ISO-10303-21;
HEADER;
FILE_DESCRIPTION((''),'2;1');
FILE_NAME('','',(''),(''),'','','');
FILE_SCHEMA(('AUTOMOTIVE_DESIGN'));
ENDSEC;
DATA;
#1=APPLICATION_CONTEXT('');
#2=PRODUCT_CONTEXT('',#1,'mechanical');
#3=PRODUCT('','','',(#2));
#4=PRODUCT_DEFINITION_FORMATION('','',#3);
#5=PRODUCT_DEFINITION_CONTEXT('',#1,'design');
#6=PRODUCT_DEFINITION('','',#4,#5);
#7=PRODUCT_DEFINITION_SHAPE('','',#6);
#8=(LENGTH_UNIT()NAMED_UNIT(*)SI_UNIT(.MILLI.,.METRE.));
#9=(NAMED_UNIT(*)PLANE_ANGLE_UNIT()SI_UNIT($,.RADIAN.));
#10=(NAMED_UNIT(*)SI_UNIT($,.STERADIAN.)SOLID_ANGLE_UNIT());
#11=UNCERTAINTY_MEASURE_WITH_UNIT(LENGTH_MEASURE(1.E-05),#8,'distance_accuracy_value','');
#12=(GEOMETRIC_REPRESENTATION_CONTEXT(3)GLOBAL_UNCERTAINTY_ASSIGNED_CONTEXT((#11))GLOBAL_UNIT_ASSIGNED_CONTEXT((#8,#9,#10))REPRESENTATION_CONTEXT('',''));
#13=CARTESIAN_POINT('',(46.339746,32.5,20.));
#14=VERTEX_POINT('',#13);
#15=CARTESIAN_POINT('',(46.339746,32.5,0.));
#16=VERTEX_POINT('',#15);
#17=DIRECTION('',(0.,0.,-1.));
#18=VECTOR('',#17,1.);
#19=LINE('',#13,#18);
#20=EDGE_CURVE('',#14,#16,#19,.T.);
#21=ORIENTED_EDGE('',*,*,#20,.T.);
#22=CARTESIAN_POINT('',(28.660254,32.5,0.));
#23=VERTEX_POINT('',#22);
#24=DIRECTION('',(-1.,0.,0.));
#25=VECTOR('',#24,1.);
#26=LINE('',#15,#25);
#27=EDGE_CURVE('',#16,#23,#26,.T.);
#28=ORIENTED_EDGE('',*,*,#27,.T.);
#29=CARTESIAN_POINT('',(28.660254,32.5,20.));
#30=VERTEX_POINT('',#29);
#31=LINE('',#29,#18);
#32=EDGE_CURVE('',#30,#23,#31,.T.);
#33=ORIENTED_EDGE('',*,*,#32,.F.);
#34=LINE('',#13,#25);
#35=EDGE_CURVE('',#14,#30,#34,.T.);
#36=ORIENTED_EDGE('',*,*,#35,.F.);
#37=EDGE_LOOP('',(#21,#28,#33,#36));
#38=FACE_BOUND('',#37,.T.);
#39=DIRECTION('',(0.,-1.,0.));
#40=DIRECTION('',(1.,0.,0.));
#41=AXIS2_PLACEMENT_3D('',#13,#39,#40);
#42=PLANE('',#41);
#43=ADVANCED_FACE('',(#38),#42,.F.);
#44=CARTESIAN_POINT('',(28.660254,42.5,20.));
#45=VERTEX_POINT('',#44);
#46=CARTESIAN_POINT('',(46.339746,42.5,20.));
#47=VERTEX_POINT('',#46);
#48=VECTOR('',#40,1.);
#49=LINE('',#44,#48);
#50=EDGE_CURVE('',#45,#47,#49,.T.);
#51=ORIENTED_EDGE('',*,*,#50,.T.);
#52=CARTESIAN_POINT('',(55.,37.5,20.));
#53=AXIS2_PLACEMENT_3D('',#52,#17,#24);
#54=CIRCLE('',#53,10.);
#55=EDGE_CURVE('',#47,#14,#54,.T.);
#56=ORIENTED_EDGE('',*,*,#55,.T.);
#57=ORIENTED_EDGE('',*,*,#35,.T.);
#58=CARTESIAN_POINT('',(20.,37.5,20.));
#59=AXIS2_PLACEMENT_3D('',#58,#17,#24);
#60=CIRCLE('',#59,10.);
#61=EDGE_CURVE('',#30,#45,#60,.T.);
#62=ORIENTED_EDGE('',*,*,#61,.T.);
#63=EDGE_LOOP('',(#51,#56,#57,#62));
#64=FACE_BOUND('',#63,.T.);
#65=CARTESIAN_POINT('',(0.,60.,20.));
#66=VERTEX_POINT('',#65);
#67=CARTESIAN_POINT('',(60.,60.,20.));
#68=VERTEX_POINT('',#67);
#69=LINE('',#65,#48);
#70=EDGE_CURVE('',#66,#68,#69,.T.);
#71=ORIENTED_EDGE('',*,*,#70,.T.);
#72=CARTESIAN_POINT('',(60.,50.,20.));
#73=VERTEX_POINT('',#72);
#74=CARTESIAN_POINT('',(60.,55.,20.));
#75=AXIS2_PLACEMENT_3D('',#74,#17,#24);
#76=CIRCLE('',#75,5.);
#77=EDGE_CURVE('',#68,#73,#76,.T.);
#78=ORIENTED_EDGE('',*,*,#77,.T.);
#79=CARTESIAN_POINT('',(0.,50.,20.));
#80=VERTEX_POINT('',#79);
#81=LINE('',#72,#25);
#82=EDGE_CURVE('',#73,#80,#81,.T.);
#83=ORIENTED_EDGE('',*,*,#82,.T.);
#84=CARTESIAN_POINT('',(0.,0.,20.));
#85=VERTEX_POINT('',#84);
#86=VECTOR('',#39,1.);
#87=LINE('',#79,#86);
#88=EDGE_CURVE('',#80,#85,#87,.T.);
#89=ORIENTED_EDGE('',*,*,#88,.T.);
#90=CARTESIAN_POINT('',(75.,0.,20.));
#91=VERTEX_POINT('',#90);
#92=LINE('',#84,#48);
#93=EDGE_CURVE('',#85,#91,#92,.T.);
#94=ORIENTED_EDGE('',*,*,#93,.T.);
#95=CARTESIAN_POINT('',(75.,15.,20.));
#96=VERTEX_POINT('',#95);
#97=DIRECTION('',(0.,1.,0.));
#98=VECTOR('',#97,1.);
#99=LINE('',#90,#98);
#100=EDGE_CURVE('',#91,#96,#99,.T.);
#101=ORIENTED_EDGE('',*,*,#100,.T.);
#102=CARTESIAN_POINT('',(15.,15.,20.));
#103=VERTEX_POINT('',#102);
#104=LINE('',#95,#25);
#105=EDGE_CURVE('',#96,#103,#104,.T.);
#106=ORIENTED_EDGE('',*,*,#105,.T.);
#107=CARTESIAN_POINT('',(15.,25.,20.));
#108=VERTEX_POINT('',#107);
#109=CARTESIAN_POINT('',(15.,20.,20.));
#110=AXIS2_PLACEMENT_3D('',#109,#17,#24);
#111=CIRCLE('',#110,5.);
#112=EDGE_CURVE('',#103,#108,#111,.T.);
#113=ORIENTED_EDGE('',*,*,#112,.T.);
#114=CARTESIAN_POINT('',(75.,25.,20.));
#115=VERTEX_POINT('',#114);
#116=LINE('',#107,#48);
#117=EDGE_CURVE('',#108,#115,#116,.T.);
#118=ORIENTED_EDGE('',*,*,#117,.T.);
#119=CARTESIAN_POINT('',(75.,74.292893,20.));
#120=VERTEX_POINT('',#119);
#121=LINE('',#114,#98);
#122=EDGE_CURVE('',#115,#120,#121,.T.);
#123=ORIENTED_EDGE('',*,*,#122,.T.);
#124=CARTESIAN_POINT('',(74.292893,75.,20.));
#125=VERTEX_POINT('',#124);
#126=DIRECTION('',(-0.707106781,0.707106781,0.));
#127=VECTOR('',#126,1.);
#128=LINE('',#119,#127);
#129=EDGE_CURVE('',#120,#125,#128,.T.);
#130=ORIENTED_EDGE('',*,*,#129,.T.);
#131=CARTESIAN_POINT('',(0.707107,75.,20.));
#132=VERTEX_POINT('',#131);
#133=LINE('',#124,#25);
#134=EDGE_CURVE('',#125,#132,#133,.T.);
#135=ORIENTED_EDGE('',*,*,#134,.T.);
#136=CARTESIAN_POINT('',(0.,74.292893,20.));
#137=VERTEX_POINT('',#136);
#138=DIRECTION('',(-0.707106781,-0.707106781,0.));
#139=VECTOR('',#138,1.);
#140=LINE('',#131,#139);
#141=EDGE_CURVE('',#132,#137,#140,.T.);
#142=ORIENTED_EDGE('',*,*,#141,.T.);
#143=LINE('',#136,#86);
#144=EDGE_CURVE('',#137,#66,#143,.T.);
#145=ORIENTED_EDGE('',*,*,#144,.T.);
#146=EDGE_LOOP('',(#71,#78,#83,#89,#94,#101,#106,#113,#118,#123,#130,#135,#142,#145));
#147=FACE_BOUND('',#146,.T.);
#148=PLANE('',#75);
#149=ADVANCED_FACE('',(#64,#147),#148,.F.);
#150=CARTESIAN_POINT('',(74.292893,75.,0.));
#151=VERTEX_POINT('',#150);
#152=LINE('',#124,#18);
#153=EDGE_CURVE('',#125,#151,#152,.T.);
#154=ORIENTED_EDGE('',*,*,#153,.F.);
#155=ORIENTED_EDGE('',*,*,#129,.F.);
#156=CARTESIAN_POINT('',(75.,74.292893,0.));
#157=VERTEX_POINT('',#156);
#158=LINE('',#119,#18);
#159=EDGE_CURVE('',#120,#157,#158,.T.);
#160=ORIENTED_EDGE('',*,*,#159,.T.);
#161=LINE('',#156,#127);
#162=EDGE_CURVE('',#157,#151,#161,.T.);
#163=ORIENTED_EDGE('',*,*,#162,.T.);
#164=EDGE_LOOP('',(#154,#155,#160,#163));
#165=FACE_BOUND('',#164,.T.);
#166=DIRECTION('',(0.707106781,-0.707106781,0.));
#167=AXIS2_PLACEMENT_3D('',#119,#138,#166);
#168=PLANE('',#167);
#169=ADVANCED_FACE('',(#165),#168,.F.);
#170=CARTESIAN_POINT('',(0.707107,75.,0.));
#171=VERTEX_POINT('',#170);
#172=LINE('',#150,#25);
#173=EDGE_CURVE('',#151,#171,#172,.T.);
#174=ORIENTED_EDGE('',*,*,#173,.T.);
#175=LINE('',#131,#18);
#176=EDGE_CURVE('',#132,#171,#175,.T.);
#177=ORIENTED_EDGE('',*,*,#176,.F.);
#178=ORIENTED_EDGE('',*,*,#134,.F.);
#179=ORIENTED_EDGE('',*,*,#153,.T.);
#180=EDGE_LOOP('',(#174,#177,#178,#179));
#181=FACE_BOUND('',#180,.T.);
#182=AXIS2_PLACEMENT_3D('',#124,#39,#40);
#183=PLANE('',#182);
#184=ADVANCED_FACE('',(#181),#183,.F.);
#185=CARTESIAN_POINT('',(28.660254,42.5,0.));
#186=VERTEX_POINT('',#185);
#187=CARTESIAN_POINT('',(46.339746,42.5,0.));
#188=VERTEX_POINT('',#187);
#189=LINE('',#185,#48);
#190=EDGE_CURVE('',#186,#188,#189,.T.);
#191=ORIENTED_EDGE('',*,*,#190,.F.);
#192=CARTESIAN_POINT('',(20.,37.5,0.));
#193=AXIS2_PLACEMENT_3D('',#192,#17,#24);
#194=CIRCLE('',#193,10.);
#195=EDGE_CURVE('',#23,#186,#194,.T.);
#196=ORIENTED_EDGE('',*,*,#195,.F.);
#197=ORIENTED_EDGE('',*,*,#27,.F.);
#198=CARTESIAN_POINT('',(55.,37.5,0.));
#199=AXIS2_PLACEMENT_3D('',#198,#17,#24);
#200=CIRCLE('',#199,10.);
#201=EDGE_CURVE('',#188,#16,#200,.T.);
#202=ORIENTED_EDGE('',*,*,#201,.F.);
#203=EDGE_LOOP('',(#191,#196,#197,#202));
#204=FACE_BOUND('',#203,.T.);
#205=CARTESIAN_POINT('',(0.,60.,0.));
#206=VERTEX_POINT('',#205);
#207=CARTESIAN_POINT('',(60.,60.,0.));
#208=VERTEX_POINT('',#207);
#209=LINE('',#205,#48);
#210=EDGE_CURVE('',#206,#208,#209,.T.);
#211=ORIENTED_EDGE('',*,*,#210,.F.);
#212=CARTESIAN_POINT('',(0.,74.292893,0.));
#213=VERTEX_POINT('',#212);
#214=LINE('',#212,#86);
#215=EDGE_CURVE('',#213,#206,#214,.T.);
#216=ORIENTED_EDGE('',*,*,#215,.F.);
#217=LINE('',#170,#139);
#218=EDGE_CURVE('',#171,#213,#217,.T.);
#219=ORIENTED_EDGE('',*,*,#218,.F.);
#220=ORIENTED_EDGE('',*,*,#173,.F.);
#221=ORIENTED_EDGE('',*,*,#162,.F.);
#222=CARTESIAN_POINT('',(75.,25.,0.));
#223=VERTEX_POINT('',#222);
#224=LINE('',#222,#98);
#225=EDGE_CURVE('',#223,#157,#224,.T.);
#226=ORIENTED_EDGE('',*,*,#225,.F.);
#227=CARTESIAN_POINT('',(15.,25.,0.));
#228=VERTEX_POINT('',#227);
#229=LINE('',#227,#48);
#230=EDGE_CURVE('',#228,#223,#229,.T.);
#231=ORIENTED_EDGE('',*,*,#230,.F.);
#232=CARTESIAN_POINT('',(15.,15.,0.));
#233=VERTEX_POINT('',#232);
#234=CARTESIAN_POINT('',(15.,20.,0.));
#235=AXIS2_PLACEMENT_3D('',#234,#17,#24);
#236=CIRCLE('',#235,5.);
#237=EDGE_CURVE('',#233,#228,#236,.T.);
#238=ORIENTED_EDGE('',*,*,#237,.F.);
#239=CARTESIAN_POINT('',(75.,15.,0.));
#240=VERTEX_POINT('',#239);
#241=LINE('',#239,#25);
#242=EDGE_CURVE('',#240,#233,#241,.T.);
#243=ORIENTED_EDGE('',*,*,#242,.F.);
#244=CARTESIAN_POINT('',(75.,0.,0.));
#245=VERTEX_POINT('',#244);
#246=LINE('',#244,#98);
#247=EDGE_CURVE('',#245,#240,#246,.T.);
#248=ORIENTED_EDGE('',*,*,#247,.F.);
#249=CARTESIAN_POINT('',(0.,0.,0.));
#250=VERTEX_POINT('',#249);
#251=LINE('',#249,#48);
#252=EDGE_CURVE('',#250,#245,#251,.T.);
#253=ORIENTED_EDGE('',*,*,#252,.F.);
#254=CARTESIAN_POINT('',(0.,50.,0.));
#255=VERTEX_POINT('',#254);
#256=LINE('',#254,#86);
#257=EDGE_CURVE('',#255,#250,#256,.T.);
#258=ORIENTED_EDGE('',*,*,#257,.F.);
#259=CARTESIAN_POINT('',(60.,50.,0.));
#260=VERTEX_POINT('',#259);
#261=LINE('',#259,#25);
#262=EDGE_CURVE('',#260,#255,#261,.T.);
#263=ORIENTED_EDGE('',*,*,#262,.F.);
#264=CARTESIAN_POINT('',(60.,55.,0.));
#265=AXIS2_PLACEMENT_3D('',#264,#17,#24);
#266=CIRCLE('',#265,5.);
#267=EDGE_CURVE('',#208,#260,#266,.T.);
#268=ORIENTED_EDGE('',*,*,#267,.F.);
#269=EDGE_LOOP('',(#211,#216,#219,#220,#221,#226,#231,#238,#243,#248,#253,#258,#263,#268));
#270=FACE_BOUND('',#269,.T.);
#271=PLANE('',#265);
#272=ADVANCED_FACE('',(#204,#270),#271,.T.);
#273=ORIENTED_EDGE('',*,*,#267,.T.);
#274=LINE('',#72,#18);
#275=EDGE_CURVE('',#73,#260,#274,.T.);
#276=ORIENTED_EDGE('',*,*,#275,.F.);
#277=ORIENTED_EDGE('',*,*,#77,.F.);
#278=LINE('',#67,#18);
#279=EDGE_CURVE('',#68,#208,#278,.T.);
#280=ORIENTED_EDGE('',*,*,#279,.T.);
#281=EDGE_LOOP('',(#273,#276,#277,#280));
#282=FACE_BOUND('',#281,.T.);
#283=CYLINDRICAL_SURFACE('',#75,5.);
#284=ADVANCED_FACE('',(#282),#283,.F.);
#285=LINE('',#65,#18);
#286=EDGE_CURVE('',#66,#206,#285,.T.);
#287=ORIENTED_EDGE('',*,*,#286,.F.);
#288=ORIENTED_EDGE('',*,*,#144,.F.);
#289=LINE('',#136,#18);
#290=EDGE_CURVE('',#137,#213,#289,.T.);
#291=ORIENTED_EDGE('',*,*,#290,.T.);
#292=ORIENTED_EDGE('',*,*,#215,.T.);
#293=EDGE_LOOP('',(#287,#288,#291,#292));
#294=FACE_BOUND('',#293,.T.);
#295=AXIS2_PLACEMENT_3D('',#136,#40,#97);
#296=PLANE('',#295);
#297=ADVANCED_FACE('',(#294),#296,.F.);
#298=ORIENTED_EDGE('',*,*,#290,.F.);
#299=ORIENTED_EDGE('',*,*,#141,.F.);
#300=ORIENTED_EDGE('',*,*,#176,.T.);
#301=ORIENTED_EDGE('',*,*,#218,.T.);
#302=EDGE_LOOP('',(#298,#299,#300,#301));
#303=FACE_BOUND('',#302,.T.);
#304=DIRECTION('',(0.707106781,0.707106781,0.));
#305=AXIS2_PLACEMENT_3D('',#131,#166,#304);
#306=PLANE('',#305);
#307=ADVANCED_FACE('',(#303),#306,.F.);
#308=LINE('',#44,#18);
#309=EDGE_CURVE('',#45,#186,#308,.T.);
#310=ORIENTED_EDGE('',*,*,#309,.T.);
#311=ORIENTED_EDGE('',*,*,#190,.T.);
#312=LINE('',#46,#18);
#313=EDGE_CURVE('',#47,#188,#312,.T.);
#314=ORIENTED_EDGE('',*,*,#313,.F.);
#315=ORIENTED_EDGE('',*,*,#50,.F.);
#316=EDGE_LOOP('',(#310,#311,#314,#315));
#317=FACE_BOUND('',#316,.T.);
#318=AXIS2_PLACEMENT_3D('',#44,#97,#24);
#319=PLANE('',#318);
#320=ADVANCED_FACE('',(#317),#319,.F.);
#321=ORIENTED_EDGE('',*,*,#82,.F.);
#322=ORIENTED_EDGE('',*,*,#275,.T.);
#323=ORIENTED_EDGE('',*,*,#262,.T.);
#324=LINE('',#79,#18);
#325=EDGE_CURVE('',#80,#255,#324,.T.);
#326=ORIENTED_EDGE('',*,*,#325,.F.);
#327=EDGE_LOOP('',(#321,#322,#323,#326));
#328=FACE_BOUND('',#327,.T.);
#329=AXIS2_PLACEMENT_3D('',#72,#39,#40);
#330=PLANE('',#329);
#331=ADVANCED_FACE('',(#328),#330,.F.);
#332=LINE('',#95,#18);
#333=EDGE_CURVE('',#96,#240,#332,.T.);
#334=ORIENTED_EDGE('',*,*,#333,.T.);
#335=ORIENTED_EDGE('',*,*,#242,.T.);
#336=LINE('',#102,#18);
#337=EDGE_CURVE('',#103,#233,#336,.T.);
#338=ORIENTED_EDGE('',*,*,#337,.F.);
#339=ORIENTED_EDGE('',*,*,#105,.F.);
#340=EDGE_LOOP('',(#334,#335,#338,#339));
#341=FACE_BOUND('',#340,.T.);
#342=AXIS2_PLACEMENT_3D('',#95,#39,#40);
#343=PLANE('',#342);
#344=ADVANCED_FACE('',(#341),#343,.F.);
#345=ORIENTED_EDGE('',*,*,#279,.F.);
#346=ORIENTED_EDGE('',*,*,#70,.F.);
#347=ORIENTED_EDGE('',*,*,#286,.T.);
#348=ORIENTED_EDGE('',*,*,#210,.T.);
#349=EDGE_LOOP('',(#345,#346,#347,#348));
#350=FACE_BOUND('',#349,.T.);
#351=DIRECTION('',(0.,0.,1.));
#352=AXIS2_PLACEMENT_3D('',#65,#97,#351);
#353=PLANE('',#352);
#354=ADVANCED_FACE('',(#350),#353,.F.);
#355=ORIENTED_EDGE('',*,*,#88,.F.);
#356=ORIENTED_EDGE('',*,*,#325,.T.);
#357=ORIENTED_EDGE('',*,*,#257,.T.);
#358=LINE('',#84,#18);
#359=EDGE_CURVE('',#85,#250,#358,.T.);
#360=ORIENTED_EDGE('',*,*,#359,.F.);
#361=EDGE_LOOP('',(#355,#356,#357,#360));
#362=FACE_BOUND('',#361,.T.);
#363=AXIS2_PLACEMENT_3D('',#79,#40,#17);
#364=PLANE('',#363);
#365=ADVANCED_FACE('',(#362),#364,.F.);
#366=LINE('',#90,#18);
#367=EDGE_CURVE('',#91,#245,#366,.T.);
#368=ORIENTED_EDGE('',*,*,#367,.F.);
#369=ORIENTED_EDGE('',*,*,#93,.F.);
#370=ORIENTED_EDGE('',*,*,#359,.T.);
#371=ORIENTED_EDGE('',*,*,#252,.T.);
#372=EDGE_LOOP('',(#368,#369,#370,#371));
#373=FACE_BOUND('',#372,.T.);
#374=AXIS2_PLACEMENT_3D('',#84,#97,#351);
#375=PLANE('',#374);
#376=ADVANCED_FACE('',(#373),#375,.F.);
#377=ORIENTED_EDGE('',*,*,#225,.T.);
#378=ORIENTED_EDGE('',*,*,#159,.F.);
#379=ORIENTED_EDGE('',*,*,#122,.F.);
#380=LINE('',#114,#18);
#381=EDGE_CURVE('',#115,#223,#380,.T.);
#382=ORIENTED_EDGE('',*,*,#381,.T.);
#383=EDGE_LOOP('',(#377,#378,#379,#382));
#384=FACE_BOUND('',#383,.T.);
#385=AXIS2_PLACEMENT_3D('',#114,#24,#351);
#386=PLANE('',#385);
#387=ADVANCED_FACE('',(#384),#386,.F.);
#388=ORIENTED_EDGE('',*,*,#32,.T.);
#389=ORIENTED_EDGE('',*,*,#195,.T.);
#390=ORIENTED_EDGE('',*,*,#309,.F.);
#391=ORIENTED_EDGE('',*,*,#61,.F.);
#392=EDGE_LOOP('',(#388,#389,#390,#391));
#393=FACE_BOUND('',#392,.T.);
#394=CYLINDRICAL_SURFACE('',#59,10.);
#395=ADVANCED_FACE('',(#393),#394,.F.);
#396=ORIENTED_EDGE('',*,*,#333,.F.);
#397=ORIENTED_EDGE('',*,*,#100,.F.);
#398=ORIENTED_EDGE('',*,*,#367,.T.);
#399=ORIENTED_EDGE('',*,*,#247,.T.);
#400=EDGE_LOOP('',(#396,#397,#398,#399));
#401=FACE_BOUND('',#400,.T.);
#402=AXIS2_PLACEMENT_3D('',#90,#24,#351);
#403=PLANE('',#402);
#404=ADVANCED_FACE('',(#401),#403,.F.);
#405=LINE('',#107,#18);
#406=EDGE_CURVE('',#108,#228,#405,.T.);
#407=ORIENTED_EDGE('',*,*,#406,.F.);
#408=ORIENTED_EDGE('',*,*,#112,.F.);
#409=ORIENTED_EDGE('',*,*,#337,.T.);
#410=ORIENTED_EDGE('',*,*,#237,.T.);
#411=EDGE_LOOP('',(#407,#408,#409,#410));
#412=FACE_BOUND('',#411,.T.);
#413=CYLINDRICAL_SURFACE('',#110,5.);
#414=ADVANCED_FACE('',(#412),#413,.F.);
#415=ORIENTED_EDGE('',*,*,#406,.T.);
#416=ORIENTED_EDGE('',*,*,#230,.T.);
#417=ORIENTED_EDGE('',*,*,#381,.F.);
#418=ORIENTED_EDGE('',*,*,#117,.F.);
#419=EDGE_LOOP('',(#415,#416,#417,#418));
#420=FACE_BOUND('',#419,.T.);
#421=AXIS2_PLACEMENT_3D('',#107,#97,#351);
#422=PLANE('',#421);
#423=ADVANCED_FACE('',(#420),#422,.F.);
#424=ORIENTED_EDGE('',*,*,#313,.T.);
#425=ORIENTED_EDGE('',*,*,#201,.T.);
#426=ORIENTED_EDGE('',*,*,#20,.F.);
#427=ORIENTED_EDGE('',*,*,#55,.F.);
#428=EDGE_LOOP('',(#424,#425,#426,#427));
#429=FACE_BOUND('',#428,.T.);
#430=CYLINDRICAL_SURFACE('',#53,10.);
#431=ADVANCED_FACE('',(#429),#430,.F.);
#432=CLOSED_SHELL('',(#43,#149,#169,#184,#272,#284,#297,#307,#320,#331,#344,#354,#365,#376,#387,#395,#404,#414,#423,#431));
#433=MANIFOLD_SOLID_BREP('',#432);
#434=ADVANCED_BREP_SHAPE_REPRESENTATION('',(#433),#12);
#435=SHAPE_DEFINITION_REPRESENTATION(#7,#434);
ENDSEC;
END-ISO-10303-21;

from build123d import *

# Parameters (mm, degrees)
BOSS_EXTRU_1_DEPTH      = 20
ENL_V_MAT_EXTRU_3_DEPTH = 108.935165725


with BuildPart() as part:
    # Esquisse1 → Boss.-Extru.1 (new body)
    with BuildSketch(Plane.XY):
        with BuildLine():
            Line((0, 50), (0, 0))
            Line((0, 0), (75, 0))
            Line((75, 0), (75, 15))
            Line((75, 15), (15, 15))
            ThreePointArc((15, 15), (10, 20), (15, 25))
            Line((15, 25), (75, 25))
            Line((75, 25), (75, 74.292893219))
            Line((75, 74.292893219), (74.292893219, 75))
            Line((74.292893219, 75), (0.707106781, 75))
            Line((0.707106781, 75), (0, 74.292893219))
            Line((0, 74.292893219), (0, 60))
            Line((0, 60), (60, 60))
            ThreePointArc((60, 60), (65, 55), (60, 50))
            Line((60, 50), (0, 50))
        make_face()
    extrude(amount=BOSS_EXTRU_1_DEPTH)

    # Esquisse2 → Enlèv. mat.-Extru.3 (cut, through all)
    with BuildSketch(Plane.XY):
        with BuildLine():
            Line((28.660254038, 42.5), (46.339745962, 42.5))
            ThreePointArc((46.339745962, 42.5), (65, 37.5), (46.339745962, 32.5))
            Line((46.339745962, 32.5), (28.660254038, 32.5))
            ThreePointArc((28.660254038, 32.5), (10, 37.5), (28.660254038, 42.5))
        make_face()
    extrude(amount=ENL_V_MAT_EXTRU_3_DEPTH, mode=Mode.SUBTRACT)


solid = part.part
